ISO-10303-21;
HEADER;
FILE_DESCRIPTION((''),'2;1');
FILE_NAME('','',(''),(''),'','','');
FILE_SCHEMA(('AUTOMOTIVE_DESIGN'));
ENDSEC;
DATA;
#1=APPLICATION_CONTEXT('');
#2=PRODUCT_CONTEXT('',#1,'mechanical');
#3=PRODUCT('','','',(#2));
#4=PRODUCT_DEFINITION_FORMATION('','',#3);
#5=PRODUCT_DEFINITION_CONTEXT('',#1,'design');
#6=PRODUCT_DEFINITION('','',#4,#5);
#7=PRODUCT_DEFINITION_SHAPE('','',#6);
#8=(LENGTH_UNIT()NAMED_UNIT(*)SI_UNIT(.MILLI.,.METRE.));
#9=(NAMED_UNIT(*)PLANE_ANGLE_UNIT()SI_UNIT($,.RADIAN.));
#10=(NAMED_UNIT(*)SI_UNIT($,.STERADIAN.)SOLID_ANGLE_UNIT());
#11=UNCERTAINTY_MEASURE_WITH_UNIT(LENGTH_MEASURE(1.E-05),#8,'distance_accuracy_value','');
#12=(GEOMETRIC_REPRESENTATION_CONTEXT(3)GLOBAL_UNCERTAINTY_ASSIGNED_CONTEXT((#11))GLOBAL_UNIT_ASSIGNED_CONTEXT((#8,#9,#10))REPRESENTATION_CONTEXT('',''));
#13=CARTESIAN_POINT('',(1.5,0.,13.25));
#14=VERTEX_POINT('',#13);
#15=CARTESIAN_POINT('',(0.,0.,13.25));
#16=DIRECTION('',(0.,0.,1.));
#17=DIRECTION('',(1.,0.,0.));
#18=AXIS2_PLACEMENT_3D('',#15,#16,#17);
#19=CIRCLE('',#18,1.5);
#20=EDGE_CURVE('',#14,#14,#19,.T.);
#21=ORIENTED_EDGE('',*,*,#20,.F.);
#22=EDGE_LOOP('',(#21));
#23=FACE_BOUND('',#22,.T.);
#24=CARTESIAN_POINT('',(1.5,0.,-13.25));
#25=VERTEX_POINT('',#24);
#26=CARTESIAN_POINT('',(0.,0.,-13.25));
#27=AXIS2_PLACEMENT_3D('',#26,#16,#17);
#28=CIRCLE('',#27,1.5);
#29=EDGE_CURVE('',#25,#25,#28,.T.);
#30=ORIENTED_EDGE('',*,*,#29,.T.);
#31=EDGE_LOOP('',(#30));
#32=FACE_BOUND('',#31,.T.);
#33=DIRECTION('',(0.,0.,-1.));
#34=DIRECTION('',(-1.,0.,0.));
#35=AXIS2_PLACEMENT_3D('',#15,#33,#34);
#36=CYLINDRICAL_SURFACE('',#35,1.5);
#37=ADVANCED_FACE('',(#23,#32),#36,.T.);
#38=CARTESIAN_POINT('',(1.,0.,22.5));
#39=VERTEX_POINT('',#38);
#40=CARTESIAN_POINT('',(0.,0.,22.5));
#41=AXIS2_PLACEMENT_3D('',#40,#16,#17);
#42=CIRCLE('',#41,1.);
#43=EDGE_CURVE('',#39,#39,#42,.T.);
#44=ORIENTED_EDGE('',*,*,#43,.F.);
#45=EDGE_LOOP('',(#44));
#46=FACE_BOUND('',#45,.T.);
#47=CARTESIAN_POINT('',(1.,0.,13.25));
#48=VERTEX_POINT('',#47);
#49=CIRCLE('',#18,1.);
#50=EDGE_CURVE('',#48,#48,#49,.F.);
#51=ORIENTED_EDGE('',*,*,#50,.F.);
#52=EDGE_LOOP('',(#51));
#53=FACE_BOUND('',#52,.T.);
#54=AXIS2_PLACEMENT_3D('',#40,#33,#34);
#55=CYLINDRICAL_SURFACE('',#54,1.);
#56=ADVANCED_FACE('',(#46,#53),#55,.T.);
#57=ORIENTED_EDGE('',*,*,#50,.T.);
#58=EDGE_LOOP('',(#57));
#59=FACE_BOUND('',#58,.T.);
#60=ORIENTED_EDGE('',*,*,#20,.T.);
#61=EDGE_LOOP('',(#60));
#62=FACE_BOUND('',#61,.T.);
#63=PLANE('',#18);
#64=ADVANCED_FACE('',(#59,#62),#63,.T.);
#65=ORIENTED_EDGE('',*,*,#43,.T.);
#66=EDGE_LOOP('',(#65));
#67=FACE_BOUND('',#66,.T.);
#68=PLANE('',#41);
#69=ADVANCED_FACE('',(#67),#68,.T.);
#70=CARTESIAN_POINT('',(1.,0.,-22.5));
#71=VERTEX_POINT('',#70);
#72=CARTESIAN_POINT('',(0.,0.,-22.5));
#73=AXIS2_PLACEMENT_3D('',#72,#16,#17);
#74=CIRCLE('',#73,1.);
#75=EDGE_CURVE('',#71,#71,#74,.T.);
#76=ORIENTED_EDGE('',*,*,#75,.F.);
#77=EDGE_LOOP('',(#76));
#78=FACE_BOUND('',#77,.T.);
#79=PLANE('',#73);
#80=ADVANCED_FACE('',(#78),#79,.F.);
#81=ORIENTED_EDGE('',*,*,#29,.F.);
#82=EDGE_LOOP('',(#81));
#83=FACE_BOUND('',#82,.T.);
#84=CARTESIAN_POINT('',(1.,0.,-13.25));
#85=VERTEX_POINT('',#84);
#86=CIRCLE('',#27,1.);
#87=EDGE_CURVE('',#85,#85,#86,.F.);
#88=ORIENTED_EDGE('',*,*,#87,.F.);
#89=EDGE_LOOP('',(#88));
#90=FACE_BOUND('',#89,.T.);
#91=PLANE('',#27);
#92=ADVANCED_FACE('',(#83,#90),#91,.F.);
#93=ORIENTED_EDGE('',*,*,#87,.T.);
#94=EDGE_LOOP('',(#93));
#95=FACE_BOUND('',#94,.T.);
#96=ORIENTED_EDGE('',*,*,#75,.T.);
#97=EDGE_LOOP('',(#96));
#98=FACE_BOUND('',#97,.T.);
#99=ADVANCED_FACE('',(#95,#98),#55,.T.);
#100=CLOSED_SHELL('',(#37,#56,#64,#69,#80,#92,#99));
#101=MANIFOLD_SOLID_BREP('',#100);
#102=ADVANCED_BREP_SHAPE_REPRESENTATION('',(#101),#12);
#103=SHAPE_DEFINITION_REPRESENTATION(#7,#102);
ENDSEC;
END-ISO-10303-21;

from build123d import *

# Parameters (mm, degrees)
SKETCH_1_R      = 1.5
EXTRUDE_1_DEPTH = 13.25
SKETCH_2_R      = 1
EXTRUDE_2_DEPTH = 22.5


with BuildPart() as part:
    # Эскиз1 → Бобышка-Вытянуть1 (new body, symmetric)
    with BuildSketch(Plane.XY):
        Circle(SKETCH_1_R)
    extrude(amount=EXTRUDE_1_DEPTH, both=True)

    # Эскиз2 → Бобышка-Вытянуть2 (add, symmetric)
    with BuildSketch(Plane.XY):
        Circle(SKETCH_2_R)
    extrude(amount=EXTRUDE_2_DEPTH, both=True)


solid = part.part
